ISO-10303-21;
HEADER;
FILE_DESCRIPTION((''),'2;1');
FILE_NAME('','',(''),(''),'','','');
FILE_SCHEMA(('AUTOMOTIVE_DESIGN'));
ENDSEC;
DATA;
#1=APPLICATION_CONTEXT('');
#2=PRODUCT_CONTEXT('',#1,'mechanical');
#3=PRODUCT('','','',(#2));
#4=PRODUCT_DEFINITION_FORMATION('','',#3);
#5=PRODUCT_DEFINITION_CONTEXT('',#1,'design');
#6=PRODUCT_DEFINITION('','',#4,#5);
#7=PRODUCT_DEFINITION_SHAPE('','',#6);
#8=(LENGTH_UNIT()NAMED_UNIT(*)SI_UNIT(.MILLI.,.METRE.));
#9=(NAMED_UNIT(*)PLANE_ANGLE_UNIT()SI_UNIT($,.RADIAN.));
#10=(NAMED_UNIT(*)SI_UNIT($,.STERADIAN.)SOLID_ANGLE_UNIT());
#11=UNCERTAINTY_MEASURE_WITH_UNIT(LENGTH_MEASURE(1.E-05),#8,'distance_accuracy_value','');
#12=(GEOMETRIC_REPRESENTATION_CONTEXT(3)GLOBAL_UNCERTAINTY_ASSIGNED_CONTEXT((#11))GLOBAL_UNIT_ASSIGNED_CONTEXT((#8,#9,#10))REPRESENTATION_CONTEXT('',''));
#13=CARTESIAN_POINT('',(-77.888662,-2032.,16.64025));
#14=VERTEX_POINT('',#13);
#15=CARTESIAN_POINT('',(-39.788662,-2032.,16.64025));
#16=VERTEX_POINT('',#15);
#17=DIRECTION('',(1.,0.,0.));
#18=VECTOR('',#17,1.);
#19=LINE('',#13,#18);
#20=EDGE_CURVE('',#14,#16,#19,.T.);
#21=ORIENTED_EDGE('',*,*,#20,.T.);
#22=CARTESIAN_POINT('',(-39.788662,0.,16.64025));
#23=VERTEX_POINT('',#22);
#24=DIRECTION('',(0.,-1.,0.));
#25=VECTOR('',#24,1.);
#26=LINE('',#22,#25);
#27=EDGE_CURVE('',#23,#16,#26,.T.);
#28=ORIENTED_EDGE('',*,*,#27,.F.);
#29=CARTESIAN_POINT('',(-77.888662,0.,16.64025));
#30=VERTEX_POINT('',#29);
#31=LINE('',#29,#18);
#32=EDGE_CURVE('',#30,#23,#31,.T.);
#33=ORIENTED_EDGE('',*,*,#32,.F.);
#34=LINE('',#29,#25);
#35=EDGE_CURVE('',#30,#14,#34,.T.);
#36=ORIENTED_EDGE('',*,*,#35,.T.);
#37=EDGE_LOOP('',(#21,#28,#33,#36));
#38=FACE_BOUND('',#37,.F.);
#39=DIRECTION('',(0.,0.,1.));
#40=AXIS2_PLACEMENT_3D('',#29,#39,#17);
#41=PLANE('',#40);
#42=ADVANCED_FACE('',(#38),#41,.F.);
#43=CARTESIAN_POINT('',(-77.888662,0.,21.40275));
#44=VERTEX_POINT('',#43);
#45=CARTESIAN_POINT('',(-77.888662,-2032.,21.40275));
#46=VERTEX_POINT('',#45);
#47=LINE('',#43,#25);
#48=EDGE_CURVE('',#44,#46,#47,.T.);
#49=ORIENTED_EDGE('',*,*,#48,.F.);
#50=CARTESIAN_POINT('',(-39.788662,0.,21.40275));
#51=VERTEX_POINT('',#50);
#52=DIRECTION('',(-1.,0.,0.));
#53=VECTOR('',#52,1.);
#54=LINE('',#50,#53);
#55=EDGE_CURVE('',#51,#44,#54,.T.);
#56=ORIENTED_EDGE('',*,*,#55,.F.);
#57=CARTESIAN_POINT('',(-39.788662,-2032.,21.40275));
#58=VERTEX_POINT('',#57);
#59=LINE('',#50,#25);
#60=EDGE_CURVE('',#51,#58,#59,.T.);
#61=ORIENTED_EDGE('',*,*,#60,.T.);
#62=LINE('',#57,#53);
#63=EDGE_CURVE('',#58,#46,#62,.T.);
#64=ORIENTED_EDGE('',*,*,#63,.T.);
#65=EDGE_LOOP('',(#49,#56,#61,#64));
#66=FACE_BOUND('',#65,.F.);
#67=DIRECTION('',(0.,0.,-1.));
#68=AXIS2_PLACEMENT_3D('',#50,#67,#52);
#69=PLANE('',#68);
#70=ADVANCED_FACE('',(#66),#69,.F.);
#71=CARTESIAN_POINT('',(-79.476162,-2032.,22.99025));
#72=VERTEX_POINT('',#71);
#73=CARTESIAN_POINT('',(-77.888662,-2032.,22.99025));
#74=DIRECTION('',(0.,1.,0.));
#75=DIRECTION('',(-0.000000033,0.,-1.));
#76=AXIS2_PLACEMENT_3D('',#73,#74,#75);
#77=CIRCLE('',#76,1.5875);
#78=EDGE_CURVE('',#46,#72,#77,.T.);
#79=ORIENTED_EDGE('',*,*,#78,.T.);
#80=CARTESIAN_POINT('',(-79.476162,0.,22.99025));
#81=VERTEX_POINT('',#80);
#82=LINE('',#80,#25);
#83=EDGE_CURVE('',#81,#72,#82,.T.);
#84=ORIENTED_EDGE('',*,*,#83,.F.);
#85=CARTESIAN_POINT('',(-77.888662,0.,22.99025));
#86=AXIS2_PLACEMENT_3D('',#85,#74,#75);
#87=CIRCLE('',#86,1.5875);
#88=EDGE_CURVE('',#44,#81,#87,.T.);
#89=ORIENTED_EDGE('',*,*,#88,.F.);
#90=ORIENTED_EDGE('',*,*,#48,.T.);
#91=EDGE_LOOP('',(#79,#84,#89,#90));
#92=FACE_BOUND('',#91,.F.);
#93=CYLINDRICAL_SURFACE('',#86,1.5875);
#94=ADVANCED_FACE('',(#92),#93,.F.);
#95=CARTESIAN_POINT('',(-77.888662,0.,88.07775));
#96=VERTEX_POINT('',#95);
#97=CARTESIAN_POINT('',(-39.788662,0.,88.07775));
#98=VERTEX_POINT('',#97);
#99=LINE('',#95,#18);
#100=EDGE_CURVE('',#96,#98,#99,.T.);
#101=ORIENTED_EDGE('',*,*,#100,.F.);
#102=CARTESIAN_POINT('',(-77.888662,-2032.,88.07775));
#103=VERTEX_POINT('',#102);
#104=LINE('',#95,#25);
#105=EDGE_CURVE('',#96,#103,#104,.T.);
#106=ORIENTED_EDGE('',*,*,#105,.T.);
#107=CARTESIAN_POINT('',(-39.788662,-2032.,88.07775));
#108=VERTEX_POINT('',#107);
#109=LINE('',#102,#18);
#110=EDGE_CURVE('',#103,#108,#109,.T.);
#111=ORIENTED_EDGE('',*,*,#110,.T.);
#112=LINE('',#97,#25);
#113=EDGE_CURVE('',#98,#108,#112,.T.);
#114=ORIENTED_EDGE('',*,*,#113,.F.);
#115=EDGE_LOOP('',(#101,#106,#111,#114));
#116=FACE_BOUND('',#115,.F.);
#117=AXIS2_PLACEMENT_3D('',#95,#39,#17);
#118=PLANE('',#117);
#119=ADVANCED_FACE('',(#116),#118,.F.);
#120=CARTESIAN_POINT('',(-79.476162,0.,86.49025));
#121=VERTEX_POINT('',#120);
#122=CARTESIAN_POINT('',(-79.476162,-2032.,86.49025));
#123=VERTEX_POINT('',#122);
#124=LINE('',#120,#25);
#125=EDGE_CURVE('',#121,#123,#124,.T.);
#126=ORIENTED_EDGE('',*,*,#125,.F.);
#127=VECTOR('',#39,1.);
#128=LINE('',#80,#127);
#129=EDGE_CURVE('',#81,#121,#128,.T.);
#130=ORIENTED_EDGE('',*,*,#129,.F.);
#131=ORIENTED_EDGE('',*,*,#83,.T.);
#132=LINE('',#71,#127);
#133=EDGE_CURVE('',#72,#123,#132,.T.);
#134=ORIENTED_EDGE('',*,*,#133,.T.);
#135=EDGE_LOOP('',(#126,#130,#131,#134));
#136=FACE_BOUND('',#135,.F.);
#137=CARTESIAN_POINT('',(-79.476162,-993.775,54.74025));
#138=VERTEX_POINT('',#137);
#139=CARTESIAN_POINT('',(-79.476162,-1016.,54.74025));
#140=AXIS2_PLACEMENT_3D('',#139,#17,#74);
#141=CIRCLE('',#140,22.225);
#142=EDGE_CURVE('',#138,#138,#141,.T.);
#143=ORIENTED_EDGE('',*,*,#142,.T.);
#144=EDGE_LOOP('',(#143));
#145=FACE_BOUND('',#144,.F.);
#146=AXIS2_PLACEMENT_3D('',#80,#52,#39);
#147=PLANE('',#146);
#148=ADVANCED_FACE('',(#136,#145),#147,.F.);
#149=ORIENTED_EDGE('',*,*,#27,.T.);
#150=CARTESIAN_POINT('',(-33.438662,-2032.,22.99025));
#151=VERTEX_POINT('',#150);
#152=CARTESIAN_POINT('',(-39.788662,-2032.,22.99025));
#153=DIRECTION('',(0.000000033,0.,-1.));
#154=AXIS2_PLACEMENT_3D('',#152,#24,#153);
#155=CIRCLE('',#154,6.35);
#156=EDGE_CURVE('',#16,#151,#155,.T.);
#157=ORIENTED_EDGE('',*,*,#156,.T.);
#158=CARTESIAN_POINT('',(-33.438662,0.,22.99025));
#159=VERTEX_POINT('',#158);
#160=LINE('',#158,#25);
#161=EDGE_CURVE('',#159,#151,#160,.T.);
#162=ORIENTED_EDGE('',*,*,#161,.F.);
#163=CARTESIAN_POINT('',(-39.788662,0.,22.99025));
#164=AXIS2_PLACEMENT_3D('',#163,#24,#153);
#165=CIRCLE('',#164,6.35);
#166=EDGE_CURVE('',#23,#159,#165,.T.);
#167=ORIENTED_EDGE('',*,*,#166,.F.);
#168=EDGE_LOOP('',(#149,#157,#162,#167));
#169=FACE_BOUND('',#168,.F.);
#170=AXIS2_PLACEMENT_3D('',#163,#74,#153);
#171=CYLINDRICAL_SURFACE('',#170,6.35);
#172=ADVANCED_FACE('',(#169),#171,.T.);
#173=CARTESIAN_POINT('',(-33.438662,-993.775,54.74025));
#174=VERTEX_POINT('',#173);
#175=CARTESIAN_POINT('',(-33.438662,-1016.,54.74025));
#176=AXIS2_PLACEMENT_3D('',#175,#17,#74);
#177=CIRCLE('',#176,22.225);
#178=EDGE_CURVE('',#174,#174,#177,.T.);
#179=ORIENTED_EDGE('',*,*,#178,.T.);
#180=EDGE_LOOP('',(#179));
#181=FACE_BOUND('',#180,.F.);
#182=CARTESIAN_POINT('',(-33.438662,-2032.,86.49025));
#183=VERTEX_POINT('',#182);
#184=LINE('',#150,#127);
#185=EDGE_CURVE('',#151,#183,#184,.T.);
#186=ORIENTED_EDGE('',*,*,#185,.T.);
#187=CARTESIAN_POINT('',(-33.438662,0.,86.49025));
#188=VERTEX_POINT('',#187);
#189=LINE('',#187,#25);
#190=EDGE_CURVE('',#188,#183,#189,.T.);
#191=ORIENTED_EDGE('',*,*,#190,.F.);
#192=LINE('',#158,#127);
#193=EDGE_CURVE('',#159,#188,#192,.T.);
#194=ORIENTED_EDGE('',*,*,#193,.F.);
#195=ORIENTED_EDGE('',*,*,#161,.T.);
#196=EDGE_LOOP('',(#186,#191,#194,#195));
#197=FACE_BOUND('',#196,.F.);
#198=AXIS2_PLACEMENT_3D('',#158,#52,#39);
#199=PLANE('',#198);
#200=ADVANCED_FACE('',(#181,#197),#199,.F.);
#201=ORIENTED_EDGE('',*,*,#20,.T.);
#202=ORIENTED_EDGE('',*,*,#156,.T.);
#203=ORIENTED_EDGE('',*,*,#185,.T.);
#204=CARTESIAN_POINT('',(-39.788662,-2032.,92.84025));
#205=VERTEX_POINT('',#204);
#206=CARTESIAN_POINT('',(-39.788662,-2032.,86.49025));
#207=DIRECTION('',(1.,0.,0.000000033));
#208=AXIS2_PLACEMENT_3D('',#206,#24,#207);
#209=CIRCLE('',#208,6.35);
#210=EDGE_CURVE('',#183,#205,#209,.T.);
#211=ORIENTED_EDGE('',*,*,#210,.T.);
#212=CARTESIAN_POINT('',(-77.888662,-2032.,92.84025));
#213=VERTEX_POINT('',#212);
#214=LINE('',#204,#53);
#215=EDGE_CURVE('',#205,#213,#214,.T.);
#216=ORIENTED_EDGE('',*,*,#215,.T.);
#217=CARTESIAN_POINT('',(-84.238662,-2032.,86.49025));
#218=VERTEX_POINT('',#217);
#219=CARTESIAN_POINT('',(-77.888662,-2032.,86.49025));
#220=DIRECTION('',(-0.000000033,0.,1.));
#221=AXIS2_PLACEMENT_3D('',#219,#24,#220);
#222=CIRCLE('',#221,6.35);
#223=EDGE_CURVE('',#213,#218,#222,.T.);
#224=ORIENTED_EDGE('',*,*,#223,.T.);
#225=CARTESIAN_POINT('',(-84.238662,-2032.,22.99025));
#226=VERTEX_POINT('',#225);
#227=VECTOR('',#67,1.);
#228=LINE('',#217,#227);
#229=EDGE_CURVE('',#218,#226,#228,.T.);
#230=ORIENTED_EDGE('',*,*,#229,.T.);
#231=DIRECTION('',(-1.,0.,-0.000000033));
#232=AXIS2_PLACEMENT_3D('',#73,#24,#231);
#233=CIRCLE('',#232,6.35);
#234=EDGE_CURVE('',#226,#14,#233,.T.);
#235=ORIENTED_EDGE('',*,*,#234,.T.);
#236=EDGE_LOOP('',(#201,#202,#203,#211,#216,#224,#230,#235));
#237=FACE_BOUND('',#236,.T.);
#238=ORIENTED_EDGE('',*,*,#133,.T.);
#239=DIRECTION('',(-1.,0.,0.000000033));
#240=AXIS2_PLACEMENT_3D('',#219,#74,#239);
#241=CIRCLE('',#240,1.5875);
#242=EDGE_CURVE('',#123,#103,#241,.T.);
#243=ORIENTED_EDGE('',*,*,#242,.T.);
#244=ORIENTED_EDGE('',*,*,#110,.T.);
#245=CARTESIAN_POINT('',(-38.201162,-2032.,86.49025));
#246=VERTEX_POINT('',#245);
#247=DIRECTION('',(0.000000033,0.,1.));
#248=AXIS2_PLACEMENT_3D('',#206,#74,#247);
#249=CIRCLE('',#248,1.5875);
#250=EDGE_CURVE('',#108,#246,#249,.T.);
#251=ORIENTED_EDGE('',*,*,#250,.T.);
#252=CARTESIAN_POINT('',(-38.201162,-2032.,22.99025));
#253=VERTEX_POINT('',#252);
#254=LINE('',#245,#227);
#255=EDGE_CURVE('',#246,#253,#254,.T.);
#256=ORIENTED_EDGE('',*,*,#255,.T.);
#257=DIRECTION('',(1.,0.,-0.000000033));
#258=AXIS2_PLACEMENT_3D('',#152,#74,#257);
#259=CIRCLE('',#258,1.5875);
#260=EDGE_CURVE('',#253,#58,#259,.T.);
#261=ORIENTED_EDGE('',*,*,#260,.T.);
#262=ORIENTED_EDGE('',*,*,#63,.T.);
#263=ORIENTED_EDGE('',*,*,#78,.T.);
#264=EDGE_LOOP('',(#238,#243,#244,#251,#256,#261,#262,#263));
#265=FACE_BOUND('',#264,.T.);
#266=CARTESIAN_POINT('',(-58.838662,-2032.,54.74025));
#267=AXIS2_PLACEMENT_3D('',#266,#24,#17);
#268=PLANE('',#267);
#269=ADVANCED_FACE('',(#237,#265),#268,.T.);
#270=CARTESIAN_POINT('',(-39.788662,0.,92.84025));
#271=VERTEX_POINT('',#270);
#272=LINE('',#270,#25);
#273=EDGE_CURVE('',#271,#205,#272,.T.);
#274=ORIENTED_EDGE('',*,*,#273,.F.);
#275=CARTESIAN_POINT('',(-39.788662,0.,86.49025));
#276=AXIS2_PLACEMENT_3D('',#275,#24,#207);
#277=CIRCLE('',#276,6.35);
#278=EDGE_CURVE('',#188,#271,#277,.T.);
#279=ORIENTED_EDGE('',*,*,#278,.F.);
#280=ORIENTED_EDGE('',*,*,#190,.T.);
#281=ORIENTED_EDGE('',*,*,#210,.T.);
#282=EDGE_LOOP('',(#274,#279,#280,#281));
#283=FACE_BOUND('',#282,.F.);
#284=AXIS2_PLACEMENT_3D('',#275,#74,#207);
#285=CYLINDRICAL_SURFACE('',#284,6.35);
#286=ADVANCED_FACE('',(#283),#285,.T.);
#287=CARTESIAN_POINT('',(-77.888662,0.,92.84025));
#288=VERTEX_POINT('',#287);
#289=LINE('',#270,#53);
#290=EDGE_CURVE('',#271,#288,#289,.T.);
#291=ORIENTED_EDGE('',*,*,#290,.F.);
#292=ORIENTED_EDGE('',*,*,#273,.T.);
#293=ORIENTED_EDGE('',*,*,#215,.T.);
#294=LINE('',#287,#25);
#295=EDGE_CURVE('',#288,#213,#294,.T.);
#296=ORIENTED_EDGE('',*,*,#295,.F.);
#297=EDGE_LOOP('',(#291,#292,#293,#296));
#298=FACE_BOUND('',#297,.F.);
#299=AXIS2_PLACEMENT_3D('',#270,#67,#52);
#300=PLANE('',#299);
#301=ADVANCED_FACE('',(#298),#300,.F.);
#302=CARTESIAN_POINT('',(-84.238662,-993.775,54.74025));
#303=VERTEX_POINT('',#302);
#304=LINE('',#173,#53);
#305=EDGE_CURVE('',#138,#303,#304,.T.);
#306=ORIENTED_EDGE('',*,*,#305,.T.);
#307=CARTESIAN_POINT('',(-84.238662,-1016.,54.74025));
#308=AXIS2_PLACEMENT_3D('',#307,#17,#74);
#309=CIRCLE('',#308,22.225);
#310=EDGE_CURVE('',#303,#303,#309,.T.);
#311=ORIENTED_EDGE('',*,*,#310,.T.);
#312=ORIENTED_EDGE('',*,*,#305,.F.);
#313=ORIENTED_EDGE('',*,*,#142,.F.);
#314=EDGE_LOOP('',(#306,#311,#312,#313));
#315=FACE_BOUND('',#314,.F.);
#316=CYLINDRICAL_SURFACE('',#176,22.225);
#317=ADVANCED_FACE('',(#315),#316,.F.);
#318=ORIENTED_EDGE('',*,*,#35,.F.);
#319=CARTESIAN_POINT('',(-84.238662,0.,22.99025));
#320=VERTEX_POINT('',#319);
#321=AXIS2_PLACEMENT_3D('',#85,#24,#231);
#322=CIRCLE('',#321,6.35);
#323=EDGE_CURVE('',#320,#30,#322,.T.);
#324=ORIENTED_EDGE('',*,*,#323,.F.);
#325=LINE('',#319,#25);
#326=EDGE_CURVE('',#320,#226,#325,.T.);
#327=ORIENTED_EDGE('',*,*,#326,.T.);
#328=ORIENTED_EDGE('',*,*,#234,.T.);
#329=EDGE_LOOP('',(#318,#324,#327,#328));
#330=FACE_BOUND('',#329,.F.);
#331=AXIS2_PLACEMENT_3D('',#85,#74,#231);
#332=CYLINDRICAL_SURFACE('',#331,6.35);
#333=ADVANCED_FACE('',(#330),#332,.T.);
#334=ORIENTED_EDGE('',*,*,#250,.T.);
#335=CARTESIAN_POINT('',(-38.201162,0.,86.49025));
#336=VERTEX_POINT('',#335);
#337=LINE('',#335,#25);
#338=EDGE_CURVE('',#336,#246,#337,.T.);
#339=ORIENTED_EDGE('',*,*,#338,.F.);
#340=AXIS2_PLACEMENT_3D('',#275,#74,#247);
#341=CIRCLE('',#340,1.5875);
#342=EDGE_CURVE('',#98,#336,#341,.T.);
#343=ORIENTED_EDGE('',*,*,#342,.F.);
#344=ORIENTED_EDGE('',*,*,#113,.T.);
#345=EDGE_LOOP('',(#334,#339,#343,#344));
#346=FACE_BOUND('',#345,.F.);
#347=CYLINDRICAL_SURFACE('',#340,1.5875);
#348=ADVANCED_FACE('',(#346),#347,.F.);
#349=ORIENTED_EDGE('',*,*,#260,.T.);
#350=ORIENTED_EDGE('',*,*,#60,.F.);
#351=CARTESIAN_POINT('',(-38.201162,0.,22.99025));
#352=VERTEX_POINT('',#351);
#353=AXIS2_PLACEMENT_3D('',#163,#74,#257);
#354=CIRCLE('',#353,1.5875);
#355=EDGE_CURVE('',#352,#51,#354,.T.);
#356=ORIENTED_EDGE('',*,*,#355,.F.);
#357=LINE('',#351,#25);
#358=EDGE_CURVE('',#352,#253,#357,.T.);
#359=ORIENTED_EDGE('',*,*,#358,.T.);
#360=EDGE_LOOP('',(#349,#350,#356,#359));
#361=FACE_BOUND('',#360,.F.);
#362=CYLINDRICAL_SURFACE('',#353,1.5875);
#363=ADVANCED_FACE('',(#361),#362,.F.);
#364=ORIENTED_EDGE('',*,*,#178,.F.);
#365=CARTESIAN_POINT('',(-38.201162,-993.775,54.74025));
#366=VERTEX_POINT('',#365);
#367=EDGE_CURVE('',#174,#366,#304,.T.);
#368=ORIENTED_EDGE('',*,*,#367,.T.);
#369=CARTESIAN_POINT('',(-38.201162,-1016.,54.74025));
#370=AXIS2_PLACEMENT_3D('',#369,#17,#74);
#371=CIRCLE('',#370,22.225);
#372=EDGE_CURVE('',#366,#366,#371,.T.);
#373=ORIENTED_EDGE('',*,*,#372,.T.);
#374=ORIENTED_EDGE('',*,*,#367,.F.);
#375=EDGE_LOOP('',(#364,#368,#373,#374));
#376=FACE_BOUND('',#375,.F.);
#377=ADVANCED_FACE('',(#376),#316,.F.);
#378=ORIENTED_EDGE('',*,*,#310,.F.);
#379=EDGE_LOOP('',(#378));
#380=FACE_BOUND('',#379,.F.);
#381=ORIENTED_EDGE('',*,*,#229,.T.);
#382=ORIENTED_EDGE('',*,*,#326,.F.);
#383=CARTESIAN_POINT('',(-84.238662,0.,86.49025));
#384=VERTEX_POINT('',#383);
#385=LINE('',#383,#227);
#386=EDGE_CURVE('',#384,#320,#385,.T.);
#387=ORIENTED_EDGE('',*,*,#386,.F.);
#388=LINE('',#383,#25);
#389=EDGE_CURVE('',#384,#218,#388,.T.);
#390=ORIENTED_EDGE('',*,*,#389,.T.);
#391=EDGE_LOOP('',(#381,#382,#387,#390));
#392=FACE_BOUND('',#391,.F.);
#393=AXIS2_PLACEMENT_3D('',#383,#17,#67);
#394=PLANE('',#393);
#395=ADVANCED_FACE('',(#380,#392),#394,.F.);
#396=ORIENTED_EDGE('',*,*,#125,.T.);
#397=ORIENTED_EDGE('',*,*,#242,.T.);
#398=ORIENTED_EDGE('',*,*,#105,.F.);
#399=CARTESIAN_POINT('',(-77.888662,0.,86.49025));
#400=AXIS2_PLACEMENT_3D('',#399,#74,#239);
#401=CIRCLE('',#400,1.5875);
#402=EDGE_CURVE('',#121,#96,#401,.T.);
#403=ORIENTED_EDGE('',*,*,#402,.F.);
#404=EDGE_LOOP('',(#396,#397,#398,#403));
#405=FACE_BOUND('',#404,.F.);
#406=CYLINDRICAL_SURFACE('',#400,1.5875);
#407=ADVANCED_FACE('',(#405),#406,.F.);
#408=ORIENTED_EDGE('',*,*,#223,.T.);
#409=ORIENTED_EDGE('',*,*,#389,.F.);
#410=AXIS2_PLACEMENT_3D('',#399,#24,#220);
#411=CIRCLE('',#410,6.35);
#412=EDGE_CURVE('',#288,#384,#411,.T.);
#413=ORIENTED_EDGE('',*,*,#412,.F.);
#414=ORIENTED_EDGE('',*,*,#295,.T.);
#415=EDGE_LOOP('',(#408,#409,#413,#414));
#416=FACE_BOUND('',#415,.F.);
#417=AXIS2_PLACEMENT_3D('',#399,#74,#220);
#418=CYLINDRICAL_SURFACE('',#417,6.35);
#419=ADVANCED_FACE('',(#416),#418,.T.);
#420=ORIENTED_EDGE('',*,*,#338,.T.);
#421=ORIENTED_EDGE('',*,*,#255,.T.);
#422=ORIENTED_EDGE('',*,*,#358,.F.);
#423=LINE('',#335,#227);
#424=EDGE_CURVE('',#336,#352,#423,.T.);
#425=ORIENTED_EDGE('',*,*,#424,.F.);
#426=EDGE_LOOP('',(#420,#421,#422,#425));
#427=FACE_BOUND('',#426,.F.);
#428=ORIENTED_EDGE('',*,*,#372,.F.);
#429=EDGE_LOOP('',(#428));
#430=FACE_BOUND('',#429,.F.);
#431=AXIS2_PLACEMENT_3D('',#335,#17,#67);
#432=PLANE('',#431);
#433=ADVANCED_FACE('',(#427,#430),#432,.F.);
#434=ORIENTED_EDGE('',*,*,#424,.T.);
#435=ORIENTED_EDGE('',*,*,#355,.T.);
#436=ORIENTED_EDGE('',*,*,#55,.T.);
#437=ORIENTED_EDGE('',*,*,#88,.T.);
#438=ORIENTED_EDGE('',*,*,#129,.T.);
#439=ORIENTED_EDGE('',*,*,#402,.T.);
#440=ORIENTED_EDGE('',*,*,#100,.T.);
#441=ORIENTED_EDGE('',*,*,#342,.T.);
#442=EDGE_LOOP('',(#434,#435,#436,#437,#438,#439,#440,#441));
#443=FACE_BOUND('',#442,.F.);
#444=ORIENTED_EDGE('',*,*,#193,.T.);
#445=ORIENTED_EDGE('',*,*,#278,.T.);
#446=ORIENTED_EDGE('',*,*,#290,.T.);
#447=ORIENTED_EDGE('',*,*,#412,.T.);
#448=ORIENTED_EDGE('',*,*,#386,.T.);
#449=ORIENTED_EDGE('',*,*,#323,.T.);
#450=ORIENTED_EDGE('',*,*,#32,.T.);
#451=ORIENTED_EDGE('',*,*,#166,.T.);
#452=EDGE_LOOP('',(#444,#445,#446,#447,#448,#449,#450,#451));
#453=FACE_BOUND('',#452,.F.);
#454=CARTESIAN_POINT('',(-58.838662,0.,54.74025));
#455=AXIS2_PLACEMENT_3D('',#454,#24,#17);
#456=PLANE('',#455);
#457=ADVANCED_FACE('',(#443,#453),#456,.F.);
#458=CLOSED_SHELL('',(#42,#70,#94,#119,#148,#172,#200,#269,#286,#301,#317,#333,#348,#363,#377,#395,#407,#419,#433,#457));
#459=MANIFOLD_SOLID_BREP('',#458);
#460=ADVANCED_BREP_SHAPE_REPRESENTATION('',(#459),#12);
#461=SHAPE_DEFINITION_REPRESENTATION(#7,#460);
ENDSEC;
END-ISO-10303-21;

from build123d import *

# Parameters (mm, degrees)
F1_DEPTH = 2032
F2_R     = 22.225
F3_DEPTH = 50.801


with BuildPart() as f1:
    # F0 (on Front) → F1 (new body)
    with BuildSketch(Plane.XZ):
        with BuildLine():
            ThreePointArc((-84.238662, 22.99025), (-82.37879, 18.500122), (-77.888662, 16.64025))
            Line((-77.888662, 16.64025), (-39.788662, 16.64025))
            ThreePointArc((-39.788662, 16.64025), (-35.298534, 18.500122), (-33.438662, 22.99025))
            Line((-33.438662, 22.99025), (-33.438662, 86.49025))
            ThreePointArc((-33.438662, 86.49025), (-35.298534, 90.980378), (-39.788662, 92.84025))
            Line((-39.788662, 92.84025), (-77.888662, 92.84025))
            ThreePointArc((-77.888662, 92.84025), (-82.37879, 90.980378), (-84.238662, 86.49025))
            Line((-84.238662, 86.49025), (-84.238662, 22.99025))
        make_face()
        with BuildLine():
            ThreePointArc((-79.476162, 86.49025), (-79.011194, 87.612782), (-77.888662, 88.07775))
            Line((-77.888662, 88.07775), (-39.788662, 88.07775))
            ThreePointArc((-39.788662, 88.07775), (-38.66613, 87.612782), (-38.201162, 86.49025))
            Line((-38.201162, 86.49025), (-38.201162, 22.99025))
            ThreePointArc((-38.201162, 22.99025), (-38.66613, 21.867718), (-39.788662, 21.40275))
            Line((-39.788662, 21.40275), (-77.888662, 21.40275))
            ThreePointArc((-77.888662, 21.40275), (-79.011194, 21.867718), (-79.476162, 22.99025))
            Line((-79.476162, 22.99025), (-79.476162, 86.49025))
        make_face(mode=Mode.SUBTRACT)
    extrude(amount=F1_DEPTH)

    # F2 (on face) → F3 (cut, through all)
    with BuildSketch(Plane.YZ.offset(-33.438662)):
        with Locations((-1016, 54.74025)):
            Circle(F2_R)
    extrude(amount=-F3_DEPTH, mode=Mode.SUBTRACT)


solid = f1.part
